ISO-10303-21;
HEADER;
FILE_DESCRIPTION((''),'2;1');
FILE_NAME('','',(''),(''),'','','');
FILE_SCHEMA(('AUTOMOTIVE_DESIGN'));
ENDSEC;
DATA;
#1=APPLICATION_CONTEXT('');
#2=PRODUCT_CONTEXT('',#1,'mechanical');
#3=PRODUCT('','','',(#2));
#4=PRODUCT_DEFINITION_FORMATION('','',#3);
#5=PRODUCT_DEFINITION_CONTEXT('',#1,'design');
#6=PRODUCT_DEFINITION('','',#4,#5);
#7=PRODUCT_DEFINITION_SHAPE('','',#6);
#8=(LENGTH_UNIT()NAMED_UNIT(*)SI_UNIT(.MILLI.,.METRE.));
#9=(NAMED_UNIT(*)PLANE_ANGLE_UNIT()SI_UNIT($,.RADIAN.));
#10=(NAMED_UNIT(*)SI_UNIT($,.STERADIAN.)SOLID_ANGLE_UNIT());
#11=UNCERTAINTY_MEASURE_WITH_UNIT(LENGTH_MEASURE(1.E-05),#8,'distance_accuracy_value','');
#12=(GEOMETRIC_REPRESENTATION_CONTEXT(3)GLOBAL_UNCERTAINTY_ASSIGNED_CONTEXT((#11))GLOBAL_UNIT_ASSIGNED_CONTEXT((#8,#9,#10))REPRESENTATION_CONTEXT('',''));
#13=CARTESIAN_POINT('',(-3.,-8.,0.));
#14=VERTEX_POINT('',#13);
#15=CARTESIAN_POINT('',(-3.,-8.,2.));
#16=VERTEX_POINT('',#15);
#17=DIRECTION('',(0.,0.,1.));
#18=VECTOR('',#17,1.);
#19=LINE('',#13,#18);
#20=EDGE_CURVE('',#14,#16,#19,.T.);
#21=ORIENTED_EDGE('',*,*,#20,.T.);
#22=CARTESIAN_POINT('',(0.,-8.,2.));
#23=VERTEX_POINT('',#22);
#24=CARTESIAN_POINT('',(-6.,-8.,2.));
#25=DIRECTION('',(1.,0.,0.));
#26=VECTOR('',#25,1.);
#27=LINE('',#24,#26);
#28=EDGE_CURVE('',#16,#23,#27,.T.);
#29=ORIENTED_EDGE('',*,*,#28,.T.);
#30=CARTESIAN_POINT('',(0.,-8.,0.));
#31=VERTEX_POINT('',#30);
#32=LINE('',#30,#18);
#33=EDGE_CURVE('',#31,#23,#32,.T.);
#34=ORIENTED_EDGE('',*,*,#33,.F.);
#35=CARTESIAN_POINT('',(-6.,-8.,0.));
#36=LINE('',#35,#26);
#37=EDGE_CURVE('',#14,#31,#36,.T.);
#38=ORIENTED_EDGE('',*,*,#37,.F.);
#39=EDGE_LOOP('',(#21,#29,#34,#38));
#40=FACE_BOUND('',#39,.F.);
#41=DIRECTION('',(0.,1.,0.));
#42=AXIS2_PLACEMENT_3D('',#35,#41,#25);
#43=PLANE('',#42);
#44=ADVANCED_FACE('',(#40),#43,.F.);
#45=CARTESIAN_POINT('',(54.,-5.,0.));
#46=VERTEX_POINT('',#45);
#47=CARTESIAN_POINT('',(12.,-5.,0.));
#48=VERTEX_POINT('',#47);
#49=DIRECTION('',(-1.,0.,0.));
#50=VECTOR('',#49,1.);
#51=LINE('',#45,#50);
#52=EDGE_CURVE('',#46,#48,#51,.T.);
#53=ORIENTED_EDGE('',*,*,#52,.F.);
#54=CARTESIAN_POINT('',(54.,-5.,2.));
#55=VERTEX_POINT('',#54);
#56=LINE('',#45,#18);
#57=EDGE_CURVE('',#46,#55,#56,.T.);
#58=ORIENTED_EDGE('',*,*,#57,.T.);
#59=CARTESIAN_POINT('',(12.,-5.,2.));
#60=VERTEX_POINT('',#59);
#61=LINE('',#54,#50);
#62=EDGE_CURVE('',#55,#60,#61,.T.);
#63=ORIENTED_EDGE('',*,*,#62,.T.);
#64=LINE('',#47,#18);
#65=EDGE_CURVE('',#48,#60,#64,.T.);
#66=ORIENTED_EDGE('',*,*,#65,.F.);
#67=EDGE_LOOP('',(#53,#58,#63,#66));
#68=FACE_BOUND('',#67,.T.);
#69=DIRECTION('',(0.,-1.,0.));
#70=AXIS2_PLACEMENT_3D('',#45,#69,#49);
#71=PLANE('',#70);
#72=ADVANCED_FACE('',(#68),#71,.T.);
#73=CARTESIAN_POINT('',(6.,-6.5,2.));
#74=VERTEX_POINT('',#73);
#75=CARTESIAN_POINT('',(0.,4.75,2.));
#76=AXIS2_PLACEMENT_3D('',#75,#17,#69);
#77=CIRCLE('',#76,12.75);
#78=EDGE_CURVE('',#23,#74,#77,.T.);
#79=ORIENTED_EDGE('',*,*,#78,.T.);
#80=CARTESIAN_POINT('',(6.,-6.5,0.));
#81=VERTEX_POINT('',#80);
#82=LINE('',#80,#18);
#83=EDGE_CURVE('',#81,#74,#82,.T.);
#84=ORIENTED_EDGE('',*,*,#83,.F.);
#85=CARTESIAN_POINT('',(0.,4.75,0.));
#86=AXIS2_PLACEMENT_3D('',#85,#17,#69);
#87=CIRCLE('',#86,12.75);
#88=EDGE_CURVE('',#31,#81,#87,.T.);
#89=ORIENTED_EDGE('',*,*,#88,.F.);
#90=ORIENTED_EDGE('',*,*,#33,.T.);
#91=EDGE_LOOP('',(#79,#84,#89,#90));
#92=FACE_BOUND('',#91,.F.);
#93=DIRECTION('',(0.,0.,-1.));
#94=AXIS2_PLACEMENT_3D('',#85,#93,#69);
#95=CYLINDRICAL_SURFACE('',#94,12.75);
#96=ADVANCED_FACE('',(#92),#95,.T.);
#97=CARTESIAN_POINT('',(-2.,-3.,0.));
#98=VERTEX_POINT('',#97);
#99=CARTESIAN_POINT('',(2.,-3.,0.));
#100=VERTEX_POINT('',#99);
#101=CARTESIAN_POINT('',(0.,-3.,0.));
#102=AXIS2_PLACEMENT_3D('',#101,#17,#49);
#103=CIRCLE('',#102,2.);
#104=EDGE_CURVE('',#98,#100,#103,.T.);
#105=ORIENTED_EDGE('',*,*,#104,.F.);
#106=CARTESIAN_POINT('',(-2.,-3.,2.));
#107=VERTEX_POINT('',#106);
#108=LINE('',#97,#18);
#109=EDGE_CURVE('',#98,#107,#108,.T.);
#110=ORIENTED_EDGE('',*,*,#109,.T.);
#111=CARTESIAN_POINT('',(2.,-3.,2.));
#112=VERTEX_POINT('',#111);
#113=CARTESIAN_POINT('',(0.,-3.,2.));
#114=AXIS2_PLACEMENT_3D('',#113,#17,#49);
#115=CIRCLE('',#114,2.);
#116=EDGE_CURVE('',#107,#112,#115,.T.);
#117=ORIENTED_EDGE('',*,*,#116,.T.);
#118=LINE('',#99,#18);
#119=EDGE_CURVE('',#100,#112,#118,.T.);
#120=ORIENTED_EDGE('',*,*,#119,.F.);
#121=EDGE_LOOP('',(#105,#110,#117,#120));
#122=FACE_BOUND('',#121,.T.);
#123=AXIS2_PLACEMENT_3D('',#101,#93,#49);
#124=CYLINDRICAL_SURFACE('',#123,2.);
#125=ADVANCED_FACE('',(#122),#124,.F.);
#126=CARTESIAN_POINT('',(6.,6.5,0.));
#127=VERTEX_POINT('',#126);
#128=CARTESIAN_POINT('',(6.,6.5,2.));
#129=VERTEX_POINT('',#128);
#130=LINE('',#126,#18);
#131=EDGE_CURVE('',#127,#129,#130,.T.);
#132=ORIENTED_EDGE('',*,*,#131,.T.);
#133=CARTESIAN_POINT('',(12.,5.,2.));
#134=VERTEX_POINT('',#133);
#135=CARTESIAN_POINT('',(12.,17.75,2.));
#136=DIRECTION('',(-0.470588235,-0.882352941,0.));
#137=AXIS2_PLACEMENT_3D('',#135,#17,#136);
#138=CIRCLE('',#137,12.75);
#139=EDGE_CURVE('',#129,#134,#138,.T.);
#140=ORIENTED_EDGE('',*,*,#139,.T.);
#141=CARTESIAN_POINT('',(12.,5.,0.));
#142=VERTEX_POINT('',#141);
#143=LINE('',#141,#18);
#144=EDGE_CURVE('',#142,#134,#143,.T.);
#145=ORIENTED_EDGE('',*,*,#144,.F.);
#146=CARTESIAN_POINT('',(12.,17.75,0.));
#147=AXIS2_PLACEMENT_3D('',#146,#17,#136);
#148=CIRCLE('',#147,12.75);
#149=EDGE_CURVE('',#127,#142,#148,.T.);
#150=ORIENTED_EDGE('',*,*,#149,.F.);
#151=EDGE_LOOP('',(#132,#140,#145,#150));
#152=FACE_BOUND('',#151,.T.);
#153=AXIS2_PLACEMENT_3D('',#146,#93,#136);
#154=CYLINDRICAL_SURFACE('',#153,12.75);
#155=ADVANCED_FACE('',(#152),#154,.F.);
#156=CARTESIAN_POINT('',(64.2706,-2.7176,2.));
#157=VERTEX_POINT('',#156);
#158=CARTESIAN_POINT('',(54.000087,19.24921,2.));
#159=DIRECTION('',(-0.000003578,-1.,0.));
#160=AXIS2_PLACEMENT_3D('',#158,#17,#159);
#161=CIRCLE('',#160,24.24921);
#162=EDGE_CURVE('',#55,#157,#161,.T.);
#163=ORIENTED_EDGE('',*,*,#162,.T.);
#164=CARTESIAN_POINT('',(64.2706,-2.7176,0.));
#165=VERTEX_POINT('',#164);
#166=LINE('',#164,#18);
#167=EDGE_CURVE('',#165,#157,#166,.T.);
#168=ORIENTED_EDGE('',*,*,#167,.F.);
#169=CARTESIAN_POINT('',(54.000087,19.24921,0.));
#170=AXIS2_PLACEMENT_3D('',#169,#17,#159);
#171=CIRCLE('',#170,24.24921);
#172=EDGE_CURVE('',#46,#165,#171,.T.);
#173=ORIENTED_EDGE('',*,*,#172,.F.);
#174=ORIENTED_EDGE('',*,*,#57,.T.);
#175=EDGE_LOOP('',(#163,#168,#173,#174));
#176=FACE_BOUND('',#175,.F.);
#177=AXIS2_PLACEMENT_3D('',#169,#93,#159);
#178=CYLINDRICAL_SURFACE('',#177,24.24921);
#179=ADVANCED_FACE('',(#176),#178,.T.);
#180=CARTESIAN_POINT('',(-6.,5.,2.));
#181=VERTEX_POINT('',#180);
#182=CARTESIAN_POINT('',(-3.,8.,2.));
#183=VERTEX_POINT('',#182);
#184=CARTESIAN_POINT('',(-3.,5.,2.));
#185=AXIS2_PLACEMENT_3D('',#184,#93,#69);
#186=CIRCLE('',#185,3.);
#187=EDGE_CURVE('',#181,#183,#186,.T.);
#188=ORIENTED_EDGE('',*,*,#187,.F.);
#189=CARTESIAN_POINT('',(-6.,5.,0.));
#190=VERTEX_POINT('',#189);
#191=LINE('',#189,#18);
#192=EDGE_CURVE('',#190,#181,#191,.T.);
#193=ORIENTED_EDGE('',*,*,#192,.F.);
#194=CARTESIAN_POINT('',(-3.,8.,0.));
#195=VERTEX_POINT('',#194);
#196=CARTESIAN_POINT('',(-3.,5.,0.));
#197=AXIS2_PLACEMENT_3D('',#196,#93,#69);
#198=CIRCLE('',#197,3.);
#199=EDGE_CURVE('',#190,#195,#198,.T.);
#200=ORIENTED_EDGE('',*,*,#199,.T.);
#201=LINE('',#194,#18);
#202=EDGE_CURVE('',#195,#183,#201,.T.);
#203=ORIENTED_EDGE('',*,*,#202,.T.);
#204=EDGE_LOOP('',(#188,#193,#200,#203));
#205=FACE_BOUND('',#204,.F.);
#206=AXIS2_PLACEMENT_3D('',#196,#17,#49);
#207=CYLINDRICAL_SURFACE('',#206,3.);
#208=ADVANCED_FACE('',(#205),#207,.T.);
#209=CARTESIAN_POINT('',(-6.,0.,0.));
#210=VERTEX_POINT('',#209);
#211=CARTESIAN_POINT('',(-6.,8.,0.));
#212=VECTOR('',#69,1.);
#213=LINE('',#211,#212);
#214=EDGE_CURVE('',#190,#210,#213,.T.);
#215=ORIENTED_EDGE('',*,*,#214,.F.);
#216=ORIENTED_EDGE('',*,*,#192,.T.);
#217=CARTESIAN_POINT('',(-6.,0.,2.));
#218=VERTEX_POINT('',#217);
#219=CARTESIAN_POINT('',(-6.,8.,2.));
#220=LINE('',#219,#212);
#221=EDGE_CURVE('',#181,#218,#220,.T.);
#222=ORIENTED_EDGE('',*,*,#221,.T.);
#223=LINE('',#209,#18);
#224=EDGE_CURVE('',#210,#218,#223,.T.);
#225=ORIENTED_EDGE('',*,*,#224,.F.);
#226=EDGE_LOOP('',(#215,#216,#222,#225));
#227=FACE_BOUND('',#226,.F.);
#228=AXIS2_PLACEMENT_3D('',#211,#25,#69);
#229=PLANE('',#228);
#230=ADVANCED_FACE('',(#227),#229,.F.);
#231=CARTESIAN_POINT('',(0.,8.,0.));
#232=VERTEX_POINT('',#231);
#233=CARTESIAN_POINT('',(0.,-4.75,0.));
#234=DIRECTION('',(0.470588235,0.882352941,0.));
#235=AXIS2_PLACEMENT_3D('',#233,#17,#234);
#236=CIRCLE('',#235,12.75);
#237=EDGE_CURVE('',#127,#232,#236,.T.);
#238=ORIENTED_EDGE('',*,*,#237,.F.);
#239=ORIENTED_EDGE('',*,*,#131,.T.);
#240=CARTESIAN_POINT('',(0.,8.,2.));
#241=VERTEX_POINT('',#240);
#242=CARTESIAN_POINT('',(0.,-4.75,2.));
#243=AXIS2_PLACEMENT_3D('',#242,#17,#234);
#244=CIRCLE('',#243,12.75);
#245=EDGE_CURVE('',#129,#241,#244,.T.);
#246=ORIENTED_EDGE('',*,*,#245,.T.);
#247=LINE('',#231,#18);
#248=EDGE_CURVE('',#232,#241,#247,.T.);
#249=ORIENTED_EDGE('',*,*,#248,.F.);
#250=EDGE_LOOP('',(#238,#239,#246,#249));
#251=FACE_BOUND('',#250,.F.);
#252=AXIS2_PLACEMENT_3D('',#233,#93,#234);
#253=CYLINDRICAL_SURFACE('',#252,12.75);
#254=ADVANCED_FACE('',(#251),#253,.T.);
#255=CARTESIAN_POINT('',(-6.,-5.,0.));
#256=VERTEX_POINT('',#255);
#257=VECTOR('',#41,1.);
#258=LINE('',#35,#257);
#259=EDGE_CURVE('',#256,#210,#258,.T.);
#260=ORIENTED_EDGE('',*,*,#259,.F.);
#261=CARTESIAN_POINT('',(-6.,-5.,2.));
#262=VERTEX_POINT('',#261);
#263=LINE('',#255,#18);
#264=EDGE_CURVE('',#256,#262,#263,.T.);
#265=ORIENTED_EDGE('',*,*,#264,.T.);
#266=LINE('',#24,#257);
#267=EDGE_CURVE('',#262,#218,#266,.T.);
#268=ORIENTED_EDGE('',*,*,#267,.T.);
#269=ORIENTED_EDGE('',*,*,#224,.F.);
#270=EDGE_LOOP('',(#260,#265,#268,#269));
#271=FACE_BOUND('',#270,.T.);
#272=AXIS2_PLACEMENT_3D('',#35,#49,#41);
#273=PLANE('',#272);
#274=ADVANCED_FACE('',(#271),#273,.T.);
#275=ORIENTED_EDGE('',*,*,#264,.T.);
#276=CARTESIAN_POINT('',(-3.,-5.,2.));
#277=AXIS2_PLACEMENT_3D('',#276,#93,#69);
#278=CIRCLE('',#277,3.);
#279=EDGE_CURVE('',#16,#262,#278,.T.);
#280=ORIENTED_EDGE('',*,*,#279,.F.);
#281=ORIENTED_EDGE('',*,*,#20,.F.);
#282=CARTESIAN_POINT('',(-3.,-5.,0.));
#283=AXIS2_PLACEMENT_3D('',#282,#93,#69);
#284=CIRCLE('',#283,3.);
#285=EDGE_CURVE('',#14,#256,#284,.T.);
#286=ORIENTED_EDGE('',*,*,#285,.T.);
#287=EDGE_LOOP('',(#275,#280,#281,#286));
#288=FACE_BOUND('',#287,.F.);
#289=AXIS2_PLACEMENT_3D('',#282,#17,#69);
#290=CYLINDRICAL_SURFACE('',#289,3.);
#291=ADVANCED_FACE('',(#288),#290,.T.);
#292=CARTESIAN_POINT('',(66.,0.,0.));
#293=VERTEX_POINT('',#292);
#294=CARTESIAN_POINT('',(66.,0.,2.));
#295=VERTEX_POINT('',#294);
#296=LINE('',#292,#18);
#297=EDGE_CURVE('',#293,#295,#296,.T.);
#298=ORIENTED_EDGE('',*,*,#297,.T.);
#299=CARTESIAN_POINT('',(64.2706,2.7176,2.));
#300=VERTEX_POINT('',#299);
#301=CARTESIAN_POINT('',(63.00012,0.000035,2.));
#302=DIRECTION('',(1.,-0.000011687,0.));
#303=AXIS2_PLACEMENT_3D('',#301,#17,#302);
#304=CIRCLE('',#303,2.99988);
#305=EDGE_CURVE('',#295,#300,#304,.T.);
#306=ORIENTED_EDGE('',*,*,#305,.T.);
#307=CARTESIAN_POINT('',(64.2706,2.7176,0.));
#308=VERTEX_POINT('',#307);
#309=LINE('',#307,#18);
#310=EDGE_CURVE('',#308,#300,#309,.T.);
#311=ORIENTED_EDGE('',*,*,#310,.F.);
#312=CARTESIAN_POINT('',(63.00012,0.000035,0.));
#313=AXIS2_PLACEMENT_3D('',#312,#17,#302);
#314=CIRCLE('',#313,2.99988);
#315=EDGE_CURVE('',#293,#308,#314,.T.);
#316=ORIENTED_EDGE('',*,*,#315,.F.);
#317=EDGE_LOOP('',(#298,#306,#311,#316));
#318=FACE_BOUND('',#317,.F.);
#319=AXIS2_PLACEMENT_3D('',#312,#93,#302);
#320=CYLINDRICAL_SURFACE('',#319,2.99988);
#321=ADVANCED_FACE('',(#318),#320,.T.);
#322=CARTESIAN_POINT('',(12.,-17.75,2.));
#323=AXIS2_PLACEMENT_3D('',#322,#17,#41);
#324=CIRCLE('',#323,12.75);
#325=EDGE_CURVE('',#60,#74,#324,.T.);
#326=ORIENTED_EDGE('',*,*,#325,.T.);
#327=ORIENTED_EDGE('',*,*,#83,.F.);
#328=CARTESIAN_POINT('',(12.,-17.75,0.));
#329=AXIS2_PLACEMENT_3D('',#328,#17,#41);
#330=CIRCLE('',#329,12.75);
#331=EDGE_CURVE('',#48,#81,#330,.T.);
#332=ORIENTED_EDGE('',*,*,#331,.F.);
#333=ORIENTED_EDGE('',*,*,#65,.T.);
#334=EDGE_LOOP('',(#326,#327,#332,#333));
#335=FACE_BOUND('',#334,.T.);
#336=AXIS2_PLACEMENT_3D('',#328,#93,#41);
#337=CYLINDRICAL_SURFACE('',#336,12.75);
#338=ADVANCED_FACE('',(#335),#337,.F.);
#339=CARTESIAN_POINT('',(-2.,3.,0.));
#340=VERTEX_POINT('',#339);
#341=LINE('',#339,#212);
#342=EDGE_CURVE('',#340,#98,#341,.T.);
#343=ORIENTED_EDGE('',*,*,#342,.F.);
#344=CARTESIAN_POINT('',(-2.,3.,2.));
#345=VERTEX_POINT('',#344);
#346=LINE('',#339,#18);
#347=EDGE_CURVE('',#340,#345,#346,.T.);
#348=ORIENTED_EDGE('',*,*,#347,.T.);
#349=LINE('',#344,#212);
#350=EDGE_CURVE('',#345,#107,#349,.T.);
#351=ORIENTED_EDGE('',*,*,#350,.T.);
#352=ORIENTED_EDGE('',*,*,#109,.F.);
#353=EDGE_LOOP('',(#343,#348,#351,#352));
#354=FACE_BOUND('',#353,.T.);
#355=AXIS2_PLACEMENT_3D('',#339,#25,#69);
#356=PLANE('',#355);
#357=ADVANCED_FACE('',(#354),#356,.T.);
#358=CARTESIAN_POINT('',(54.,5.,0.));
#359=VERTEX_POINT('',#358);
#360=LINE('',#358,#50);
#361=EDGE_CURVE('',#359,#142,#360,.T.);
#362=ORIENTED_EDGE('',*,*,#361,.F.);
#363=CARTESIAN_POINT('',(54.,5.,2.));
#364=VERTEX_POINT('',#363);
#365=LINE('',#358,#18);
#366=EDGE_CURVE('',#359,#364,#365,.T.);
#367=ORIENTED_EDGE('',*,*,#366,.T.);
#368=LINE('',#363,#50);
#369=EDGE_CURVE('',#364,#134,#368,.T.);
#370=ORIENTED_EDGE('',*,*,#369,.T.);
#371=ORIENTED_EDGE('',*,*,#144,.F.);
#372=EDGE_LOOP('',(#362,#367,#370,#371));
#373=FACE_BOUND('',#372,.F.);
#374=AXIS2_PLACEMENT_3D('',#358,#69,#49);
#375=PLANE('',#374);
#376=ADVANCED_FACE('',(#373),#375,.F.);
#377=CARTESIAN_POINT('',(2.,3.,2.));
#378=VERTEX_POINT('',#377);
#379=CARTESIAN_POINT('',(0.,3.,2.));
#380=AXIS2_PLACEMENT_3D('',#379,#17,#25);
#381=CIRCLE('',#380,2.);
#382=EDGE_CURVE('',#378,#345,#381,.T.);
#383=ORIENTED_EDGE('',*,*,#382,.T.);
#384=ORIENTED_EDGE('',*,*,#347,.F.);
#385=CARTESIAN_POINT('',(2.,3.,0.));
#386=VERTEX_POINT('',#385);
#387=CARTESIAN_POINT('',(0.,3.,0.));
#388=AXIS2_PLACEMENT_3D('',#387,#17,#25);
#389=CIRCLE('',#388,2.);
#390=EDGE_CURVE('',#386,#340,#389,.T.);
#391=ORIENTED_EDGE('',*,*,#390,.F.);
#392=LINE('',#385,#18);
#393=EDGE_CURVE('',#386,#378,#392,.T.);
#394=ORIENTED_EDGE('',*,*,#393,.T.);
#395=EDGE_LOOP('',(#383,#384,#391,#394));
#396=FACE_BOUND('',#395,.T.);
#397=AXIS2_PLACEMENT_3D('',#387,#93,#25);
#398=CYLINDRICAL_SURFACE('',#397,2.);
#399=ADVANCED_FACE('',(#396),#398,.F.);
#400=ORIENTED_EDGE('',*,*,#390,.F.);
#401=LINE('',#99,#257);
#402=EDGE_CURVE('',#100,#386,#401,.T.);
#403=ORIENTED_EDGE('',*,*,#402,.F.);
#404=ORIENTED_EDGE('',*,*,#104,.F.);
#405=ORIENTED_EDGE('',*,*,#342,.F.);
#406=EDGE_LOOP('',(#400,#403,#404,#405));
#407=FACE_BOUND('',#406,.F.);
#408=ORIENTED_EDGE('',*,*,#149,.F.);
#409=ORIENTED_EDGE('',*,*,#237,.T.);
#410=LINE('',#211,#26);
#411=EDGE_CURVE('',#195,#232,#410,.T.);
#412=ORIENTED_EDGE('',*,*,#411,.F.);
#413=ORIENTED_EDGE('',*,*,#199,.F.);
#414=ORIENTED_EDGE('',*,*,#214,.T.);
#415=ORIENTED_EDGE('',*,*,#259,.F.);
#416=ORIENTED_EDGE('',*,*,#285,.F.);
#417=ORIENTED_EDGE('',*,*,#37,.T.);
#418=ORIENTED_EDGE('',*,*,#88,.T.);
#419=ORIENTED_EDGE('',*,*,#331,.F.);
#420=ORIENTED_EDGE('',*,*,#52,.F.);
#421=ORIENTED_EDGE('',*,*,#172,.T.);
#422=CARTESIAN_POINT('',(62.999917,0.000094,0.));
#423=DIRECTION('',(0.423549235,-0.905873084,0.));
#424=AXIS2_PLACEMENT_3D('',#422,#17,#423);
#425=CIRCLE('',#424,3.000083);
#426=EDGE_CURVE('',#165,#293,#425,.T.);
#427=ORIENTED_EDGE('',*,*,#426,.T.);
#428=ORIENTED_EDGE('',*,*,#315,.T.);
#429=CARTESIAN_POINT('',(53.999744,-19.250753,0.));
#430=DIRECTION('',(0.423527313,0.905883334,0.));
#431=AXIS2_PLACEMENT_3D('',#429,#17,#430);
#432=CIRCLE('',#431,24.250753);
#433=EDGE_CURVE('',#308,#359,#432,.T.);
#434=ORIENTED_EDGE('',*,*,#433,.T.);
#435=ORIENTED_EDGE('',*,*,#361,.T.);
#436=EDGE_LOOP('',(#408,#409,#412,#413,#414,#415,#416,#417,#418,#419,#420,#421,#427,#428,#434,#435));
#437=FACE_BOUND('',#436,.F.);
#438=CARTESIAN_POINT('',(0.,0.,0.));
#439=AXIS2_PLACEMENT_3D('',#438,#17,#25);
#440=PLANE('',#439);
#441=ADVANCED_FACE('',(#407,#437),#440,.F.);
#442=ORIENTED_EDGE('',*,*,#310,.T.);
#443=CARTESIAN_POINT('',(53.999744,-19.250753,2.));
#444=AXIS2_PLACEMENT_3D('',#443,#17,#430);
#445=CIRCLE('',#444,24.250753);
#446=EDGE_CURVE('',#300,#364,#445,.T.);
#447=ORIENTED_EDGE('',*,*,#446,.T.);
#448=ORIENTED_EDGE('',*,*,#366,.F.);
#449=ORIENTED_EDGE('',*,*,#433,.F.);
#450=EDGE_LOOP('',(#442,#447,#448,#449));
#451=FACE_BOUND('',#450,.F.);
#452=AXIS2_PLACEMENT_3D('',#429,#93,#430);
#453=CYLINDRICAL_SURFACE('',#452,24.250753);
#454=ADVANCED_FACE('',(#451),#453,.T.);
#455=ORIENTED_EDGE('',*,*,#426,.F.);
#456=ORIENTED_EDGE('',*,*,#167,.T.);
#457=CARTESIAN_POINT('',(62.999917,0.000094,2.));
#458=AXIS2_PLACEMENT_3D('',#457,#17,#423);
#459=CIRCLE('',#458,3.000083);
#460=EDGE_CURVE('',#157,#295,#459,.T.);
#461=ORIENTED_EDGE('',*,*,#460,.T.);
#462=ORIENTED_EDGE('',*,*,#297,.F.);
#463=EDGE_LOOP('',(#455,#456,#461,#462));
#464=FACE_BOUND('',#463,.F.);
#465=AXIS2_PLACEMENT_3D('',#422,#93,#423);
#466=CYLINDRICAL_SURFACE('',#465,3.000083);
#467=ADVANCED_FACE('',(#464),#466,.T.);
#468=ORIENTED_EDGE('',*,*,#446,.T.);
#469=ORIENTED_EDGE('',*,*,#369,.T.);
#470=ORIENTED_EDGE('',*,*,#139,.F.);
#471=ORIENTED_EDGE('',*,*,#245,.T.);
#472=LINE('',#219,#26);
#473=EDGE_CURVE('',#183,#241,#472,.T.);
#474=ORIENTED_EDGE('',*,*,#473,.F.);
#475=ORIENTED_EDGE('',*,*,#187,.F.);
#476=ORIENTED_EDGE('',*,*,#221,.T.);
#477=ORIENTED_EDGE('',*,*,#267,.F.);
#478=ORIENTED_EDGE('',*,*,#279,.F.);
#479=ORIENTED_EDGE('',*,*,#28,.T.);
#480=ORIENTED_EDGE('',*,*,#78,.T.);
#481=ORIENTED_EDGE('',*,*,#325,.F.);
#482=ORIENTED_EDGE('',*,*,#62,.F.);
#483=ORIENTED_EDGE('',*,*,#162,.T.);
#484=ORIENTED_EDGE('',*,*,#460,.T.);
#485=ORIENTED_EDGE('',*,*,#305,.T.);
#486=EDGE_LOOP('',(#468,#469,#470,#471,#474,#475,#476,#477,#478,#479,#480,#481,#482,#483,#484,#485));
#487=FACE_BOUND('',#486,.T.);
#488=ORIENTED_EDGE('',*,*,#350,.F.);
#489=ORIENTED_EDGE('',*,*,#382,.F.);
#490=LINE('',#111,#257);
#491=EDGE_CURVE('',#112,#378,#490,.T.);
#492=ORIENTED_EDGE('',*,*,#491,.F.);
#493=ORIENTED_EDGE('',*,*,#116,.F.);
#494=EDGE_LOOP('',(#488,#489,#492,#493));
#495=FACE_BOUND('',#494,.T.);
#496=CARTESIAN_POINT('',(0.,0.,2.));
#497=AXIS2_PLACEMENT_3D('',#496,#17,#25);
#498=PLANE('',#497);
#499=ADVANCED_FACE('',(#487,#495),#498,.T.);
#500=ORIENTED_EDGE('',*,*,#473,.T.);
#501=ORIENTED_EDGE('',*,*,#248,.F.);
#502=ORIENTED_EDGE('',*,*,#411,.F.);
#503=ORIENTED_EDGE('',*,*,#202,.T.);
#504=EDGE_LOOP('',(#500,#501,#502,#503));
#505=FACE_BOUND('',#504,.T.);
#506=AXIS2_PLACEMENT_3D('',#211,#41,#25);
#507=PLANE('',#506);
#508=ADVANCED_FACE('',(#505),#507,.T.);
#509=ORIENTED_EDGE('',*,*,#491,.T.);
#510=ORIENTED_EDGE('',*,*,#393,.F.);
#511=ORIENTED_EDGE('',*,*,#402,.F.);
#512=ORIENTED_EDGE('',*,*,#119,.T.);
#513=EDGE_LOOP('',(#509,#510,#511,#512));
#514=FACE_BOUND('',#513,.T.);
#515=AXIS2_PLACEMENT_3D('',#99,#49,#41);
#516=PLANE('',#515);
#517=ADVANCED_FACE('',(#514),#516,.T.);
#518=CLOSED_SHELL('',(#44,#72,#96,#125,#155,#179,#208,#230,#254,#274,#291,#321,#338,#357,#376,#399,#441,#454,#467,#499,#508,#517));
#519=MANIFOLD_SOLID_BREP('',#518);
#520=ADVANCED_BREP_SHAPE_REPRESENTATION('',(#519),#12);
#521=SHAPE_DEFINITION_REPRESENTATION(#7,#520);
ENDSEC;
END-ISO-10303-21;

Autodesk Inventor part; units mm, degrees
ref_plane "YZ Plane" through (0, 0, 0) normal (1, 0, 0) x (0, 1, 0)
ref_plane "XZ Plane" through (0, 0, 0) normal (0, 1, 0) x (-1, 0, 0)
ref_plane "XY Plane" through (0, 0, 0) normal (0, 0, 1) x (1, 0, 0)
sketch "スケッチ1" plane through (0, 0, 0) normal (0, 0, 1) x (1, 0, 0)
  line L0 (0, 3) -> (0, -3) construction
  line L1 (-2, 3) -> (-2, -3)
  line L2 (2, -3) -> (2, 3)
  arc A0 (2, 3) -> (-2, 3) centre (0, 3) ccw
  arc A1 (-2, -3) -> (2, -3) centre (0, -3) ccw
  arc A2 (64.2706, 2.7176) -> (54, 5) centre (54, -19.25) ccw
  line L3 (54, 5) -> (12, 5)
  line L4 (-6, 8) -> (0, 8)
  arc A3 (6, 6.5) -> (0, 8) centre (0, -4.75) ccw
  arc A4 (6, 6.5) -> (12, 5) centre (12, 17.75) ccw
  line L5 (-6, 8) -> (-6, 0)
  line L6 (-6, 0) -> (66, 0) construction
  arc A5 (66, 0) -> (64.2706, 2.7176) centre (63, 0) ccw
  arc A6 (54, -5) -> (64.2706, -2.7176) centre (54, 19.25) ccw
  line L7 (54, -5) -> (12, -5)
  line L8 (-6, -8) -> (0, -8)
  arc A7 (12, -5) -> (6, -6.5) centre (12, -17.75) ccw
  line L9 (-6, -8) -> (-6, 0)
  arc A8 (64.2706, -2.7176) -> (66, 0) centre (63, 0) ccw
  arc A9 (0, -8) -> (6, -6.5) centre (0, 4.75) ccw
  point P0 (0, 0)
  point P1 (0, 0)
  point P2 (0, 5)
  point P3 (0, -5)
  dimension "d0" = 4
  dimension "d1" = 10
  dimension "d2" = 8
  dimension "d3" = 6
  dimension "d4" = 0
  dimension "d5" = 5
  dimension "d6" = 12
  dimension "d7" = 6
  dimension "d8" = 72
  dimension "d9" = 3
  dimension "d10" = 9
extrude "押し出し1" add sketch "スケッチ1" along normal blind 2
fillet "フィレット1" radius 3 2 edges at (-6, 8, 1) (-6, -8, 1)
properties part number "fastener_strap"
